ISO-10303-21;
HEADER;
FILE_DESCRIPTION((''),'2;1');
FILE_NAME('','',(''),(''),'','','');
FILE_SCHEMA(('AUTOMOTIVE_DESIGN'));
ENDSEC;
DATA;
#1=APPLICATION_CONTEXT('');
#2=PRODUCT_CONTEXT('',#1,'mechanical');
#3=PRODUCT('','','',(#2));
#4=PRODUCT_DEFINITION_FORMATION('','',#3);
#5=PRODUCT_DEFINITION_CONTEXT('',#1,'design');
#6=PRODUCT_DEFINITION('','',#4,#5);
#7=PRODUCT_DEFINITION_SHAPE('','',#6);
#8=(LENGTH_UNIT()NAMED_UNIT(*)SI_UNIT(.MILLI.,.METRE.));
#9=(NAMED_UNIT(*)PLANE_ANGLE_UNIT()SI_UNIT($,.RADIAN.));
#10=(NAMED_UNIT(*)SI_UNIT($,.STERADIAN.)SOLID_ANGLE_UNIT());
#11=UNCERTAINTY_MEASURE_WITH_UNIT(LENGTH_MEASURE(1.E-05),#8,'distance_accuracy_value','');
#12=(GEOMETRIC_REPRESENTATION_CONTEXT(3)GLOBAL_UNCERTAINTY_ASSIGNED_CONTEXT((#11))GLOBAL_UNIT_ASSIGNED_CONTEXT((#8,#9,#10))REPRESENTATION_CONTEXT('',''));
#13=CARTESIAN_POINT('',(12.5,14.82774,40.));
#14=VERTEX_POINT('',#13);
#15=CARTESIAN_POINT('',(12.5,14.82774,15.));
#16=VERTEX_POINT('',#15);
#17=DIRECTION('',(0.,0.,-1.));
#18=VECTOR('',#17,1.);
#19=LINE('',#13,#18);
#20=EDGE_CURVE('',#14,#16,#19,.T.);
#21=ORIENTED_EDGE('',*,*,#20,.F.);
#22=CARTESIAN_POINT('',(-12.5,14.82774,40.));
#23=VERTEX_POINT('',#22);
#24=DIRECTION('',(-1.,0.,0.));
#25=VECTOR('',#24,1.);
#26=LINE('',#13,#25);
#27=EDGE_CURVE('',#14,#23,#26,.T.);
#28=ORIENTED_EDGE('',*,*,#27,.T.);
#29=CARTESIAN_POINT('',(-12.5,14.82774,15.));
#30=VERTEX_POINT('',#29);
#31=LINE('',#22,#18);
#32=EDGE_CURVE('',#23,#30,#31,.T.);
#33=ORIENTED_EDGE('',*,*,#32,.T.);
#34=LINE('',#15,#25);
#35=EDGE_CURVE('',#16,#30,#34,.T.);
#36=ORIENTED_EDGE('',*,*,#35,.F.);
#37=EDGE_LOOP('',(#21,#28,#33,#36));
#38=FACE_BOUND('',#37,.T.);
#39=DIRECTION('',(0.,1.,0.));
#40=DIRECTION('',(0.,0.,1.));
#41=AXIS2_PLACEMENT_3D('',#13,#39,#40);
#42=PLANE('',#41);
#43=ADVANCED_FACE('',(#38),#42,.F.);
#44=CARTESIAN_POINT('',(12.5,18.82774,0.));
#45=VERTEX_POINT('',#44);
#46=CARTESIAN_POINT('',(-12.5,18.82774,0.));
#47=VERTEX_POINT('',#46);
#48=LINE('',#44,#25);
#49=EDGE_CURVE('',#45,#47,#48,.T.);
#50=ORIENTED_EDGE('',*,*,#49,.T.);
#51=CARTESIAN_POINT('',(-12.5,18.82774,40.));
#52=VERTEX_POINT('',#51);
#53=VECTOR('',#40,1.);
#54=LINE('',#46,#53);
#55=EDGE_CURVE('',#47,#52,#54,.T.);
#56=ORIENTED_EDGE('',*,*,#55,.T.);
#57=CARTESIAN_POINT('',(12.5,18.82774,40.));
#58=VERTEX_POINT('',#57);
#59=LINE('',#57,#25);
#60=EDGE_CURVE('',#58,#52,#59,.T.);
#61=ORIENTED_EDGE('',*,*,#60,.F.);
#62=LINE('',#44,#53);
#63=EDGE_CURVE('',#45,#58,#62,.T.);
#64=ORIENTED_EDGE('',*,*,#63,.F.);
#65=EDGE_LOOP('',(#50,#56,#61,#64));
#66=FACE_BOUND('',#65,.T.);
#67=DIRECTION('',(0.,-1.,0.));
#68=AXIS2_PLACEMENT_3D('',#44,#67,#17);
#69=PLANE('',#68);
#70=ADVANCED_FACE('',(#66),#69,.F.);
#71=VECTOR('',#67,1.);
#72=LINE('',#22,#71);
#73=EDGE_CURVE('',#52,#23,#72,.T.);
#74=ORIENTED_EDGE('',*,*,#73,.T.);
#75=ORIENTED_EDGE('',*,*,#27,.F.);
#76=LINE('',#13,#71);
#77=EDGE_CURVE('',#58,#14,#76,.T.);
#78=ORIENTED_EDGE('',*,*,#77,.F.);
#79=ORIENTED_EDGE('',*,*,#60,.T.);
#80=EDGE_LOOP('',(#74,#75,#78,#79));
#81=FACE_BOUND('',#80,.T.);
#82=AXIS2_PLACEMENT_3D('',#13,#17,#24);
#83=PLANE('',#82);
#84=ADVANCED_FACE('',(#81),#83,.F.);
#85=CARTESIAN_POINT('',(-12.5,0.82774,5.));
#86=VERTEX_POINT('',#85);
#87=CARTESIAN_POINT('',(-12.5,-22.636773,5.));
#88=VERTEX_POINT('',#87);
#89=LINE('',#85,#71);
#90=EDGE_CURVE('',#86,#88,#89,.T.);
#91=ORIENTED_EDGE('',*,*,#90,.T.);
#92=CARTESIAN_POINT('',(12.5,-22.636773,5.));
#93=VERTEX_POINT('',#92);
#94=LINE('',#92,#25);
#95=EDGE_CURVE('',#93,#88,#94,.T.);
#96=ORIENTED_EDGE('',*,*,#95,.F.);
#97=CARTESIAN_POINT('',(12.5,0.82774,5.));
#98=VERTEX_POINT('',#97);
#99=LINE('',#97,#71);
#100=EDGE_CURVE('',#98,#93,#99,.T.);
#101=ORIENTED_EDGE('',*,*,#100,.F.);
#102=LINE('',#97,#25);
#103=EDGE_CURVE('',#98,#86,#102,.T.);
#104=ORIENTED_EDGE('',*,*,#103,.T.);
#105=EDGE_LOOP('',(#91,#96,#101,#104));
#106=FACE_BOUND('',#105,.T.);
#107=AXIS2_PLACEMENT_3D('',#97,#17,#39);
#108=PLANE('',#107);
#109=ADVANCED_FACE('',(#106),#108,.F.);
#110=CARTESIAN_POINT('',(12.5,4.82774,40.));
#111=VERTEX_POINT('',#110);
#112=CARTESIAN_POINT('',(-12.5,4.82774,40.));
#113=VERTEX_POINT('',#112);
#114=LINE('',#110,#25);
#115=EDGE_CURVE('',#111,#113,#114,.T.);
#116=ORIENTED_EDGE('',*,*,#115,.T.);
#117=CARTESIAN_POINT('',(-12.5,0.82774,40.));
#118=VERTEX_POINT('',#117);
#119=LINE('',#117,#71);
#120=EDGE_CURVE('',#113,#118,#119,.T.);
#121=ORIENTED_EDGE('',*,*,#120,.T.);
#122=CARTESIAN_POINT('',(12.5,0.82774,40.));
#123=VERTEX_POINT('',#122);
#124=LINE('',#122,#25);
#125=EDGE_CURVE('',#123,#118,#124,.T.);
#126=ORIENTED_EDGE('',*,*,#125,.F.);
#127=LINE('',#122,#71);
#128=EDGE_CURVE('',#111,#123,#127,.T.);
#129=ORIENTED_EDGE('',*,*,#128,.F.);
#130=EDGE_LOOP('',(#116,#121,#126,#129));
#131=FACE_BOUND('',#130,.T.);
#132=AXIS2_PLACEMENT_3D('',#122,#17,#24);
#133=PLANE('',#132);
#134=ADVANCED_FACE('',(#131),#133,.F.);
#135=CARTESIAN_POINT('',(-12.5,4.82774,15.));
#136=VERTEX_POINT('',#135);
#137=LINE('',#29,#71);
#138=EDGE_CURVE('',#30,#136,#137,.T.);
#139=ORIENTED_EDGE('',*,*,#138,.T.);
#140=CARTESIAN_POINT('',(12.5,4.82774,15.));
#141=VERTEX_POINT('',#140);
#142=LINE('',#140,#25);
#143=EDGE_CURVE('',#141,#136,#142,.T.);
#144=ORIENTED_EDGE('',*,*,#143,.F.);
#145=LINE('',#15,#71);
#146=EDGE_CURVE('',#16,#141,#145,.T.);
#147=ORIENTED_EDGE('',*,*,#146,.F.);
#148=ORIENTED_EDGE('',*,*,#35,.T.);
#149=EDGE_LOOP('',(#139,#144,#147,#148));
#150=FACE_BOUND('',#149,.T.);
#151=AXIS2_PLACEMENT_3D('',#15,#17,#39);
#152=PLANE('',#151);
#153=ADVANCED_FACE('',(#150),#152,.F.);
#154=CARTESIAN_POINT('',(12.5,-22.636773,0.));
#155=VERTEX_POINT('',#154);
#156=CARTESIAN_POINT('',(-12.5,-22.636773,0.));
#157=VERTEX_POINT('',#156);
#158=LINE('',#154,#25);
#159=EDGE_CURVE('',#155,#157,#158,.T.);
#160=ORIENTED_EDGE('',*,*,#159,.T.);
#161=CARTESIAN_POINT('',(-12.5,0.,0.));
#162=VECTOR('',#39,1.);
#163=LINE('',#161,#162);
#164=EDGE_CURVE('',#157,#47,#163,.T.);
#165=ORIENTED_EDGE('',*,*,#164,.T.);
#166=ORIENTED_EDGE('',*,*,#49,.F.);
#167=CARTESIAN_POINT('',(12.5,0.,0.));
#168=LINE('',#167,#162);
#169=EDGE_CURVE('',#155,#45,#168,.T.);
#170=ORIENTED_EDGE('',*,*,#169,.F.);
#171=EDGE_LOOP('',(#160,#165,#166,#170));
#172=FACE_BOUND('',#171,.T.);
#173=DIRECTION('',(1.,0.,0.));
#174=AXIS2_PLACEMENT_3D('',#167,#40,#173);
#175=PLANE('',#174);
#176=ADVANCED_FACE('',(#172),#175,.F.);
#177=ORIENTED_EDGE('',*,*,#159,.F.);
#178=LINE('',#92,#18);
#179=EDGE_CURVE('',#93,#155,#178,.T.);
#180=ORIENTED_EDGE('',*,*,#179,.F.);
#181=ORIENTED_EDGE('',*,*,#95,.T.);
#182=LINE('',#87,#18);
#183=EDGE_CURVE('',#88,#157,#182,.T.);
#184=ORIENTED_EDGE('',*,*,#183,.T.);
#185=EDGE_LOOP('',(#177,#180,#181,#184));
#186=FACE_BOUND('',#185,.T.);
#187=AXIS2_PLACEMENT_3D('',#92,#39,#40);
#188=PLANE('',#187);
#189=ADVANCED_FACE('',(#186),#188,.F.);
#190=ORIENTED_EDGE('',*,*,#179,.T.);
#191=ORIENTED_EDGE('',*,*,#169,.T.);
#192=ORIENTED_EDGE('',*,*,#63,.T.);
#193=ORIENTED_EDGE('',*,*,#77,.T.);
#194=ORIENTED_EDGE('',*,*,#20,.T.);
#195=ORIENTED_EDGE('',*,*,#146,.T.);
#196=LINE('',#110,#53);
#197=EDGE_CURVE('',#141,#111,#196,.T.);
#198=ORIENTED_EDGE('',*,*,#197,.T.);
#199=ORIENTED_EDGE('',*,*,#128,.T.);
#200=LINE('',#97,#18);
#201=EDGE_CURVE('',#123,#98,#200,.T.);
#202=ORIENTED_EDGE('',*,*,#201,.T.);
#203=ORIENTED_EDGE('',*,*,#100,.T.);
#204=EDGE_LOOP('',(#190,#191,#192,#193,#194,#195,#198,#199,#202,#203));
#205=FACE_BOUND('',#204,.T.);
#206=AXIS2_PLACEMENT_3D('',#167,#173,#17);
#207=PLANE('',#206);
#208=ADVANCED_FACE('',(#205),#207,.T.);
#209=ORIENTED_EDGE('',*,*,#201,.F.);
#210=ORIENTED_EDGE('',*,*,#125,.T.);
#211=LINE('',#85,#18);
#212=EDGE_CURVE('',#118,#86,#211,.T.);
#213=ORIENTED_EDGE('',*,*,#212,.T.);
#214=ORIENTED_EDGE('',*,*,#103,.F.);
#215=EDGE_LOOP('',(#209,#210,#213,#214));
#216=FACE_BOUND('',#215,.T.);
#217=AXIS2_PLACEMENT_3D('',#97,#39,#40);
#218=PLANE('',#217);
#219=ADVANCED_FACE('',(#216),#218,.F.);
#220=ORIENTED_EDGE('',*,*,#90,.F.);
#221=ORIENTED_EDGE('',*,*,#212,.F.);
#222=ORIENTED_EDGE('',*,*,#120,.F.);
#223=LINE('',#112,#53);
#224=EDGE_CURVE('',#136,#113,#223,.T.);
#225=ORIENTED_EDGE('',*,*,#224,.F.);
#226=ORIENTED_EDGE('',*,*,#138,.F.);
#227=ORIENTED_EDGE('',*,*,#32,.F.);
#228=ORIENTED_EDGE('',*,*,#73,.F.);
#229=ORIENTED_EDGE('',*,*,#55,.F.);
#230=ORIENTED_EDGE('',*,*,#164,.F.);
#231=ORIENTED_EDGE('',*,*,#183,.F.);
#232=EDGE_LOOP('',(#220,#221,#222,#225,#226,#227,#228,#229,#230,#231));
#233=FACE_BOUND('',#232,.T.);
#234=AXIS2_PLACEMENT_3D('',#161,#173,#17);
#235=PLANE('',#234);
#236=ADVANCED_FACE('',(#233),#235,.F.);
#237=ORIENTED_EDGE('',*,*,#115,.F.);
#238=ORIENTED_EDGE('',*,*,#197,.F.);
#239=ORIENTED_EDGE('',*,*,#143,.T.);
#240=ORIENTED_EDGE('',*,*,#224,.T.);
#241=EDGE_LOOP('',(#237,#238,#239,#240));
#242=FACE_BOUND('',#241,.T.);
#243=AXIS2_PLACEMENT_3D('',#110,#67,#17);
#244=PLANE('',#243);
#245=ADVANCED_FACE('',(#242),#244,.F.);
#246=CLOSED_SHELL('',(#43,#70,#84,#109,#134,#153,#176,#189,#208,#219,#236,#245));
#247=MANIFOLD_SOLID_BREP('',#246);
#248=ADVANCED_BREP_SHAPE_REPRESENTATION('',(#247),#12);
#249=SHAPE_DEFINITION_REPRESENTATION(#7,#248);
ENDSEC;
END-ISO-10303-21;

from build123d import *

# Parameters (mm, degrees)
EXTRUDE_1_DEPTH = 12.5


with BuildPart() as part:
    # 草图1 → 凸台-拉伸1 (new, symmetric)
    with BuildSketch(Plane(origin=(0, 0, 0), x_dir=(0, 0, -1), z_dir=(1, 0, 0))):
        Polygon((-40, 14.827740225), (-40, 18.827740225), (0, 18.827740225), (0, 0), (0, -22.636773072), (-5, -22.636773072), (-5, 0.827740225), (-40, 0.827740225), (-40, 4.827740225), (-15, 4.827740225), (-15, 14.827740225), align=None)
    extrude(amount=EXTRUDE_1_DEPTH, both=True)


solid = part.part
